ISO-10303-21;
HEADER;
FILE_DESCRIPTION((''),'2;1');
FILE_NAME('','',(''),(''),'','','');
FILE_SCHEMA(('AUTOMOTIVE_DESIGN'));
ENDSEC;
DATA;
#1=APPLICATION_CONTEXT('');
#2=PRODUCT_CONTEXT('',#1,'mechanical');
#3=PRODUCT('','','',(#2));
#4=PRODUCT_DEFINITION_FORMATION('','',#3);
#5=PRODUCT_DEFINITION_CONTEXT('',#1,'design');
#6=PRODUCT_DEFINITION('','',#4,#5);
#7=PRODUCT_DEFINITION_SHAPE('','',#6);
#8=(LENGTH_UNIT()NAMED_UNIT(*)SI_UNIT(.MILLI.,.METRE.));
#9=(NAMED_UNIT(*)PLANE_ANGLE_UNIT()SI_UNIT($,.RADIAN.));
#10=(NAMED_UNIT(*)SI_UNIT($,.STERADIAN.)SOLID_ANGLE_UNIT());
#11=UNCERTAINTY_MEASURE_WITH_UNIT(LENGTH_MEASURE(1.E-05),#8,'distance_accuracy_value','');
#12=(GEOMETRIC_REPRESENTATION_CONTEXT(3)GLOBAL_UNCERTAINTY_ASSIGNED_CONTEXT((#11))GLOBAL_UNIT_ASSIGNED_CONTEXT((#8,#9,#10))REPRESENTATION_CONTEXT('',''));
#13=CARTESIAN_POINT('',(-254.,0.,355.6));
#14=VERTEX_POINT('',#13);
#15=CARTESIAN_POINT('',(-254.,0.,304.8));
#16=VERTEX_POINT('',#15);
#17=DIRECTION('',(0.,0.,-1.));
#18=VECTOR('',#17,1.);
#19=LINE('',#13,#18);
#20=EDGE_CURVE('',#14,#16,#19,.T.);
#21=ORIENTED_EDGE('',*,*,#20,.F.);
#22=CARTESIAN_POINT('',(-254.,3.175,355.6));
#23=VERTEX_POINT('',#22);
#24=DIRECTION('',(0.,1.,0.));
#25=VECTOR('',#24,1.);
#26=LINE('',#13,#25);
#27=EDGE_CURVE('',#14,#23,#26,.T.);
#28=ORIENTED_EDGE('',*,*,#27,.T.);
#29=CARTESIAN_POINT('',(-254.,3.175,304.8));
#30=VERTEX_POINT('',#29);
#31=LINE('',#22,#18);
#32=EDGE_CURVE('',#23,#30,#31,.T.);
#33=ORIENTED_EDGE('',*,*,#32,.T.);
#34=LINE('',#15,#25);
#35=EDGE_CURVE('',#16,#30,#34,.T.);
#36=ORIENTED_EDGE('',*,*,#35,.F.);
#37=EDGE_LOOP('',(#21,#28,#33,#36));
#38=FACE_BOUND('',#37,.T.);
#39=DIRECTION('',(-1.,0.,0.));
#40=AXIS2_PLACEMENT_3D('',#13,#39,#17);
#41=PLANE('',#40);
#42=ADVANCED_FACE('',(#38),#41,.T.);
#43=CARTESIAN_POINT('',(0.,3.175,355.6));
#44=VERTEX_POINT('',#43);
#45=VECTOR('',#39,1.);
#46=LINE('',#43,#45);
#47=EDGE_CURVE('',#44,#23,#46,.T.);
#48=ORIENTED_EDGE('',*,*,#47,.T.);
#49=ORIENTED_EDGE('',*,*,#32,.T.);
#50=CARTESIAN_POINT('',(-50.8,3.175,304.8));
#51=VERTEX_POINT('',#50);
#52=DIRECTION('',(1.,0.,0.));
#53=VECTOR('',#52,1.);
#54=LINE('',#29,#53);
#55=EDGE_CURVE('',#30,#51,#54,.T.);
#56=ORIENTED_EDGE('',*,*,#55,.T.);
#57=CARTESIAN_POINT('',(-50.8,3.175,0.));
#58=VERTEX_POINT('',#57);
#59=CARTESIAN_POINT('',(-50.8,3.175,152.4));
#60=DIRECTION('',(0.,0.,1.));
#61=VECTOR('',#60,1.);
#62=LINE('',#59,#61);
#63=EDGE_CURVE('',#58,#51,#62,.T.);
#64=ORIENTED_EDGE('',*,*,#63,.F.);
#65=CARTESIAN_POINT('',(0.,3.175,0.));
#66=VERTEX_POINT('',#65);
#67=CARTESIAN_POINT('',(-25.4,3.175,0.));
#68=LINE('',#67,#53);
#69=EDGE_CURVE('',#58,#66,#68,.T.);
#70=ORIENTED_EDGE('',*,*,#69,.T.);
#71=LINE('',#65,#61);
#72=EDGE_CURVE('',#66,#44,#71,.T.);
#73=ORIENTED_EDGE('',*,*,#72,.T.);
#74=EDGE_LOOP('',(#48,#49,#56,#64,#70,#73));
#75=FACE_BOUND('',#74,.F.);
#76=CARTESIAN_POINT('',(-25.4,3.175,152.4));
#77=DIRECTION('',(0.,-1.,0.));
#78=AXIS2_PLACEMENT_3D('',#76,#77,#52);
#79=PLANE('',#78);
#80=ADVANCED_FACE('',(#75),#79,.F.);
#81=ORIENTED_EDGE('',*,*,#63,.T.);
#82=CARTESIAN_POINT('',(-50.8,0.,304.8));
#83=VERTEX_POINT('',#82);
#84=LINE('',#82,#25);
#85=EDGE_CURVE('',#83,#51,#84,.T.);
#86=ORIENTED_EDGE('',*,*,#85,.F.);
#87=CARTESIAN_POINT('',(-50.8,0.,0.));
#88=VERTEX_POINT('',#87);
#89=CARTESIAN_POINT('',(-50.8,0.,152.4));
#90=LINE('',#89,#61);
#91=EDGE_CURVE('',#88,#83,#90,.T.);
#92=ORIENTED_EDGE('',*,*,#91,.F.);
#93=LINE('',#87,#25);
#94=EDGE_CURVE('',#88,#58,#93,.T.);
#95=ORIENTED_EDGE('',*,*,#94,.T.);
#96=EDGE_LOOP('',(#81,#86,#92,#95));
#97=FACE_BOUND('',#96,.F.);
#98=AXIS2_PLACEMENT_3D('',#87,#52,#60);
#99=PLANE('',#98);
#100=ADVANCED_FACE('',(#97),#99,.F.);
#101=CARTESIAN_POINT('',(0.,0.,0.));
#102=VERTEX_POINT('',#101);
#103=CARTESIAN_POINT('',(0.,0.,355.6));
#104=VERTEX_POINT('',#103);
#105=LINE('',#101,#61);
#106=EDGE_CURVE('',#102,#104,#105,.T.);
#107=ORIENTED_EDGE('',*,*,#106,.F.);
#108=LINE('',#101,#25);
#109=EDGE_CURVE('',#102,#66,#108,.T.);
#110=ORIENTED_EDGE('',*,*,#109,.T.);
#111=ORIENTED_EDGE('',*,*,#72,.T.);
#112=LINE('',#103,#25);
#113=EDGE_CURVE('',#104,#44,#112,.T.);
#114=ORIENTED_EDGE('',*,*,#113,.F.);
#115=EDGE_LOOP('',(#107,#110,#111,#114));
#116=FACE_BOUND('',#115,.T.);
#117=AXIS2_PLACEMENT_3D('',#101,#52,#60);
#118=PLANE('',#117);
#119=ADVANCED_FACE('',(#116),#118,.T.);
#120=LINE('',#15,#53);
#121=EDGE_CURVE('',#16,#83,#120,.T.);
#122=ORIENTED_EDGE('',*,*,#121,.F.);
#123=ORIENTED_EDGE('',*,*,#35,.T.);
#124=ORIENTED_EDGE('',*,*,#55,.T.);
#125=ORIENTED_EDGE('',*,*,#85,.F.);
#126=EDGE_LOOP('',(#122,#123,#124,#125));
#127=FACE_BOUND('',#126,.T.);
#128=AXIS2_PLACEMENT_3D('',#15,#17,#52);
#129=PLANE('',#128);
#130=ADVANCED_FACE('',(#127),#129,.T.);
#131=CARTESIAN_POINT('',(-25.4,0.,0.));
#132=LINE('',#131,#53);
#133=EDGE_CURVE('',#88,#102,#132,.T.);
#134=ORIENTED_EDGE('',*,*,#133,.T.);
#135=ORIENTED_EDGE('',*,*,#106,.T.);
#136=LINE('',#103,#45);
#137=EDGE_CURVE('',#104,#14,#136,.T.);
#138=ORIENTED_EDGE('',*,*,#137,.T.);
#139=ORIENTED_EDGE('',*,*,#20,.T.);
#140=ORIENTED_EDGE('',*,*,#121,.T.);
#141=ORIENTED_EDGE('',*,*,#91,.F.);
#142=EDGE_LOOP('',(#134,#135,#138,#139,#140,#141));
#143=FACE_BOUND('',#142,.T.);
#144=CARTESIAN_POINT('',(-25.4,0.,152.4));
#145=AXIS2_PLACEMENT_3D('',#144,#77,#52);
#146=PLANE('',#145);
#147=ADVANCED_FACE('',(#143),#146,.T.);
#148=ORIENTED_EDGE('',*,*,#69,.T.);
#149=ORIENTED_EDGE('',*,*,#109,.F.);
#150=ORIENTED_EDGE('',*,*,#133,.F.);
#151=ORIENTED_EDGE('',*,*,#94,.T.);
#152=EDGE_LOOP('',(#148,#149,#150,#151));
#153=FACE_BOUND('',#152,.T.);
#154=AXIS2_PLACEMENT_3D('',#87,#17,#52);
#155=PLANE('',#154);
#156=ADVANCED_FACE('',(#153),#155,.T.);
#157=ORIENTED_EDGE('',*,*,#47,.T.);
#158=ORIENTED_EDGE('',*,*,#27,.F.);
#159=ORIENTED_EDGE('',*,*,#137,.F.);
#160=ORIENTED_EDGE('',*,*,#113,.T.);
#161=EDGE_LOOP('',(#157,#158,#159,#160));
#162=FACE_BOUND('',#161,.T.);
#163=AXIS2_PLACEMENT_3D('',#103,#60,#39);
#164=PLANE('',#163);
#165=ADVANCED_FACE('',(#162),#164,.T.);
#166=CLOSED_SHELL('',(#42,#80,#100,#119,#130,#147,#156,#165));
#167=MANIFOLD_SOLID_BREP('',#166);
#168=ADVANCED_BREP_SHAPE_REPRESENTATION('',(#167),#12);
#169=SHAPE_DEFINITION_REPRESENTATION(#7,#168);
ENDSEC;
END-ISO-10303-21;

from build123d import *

# Parameters (mm, degrees)
F0_W     = 50.8
F0_H     = 304.8
F1_DEPTH = 3.175


with BuildPart() as f1:
    # F0 (on Front) → F1 (new body)
    with BuildSketch(Plane.XZ):
        with Locations((-25.4, 152.4)):
            Rectangle(F0_W, F0_H)
        Polygon((-50.8, 304.8), (0, 304.8), (0, 355.6), (-254, 355.6), (-254, 304.8), align=None)
    extrude(amount=-F1_DEPTH)


solid = f1.part
